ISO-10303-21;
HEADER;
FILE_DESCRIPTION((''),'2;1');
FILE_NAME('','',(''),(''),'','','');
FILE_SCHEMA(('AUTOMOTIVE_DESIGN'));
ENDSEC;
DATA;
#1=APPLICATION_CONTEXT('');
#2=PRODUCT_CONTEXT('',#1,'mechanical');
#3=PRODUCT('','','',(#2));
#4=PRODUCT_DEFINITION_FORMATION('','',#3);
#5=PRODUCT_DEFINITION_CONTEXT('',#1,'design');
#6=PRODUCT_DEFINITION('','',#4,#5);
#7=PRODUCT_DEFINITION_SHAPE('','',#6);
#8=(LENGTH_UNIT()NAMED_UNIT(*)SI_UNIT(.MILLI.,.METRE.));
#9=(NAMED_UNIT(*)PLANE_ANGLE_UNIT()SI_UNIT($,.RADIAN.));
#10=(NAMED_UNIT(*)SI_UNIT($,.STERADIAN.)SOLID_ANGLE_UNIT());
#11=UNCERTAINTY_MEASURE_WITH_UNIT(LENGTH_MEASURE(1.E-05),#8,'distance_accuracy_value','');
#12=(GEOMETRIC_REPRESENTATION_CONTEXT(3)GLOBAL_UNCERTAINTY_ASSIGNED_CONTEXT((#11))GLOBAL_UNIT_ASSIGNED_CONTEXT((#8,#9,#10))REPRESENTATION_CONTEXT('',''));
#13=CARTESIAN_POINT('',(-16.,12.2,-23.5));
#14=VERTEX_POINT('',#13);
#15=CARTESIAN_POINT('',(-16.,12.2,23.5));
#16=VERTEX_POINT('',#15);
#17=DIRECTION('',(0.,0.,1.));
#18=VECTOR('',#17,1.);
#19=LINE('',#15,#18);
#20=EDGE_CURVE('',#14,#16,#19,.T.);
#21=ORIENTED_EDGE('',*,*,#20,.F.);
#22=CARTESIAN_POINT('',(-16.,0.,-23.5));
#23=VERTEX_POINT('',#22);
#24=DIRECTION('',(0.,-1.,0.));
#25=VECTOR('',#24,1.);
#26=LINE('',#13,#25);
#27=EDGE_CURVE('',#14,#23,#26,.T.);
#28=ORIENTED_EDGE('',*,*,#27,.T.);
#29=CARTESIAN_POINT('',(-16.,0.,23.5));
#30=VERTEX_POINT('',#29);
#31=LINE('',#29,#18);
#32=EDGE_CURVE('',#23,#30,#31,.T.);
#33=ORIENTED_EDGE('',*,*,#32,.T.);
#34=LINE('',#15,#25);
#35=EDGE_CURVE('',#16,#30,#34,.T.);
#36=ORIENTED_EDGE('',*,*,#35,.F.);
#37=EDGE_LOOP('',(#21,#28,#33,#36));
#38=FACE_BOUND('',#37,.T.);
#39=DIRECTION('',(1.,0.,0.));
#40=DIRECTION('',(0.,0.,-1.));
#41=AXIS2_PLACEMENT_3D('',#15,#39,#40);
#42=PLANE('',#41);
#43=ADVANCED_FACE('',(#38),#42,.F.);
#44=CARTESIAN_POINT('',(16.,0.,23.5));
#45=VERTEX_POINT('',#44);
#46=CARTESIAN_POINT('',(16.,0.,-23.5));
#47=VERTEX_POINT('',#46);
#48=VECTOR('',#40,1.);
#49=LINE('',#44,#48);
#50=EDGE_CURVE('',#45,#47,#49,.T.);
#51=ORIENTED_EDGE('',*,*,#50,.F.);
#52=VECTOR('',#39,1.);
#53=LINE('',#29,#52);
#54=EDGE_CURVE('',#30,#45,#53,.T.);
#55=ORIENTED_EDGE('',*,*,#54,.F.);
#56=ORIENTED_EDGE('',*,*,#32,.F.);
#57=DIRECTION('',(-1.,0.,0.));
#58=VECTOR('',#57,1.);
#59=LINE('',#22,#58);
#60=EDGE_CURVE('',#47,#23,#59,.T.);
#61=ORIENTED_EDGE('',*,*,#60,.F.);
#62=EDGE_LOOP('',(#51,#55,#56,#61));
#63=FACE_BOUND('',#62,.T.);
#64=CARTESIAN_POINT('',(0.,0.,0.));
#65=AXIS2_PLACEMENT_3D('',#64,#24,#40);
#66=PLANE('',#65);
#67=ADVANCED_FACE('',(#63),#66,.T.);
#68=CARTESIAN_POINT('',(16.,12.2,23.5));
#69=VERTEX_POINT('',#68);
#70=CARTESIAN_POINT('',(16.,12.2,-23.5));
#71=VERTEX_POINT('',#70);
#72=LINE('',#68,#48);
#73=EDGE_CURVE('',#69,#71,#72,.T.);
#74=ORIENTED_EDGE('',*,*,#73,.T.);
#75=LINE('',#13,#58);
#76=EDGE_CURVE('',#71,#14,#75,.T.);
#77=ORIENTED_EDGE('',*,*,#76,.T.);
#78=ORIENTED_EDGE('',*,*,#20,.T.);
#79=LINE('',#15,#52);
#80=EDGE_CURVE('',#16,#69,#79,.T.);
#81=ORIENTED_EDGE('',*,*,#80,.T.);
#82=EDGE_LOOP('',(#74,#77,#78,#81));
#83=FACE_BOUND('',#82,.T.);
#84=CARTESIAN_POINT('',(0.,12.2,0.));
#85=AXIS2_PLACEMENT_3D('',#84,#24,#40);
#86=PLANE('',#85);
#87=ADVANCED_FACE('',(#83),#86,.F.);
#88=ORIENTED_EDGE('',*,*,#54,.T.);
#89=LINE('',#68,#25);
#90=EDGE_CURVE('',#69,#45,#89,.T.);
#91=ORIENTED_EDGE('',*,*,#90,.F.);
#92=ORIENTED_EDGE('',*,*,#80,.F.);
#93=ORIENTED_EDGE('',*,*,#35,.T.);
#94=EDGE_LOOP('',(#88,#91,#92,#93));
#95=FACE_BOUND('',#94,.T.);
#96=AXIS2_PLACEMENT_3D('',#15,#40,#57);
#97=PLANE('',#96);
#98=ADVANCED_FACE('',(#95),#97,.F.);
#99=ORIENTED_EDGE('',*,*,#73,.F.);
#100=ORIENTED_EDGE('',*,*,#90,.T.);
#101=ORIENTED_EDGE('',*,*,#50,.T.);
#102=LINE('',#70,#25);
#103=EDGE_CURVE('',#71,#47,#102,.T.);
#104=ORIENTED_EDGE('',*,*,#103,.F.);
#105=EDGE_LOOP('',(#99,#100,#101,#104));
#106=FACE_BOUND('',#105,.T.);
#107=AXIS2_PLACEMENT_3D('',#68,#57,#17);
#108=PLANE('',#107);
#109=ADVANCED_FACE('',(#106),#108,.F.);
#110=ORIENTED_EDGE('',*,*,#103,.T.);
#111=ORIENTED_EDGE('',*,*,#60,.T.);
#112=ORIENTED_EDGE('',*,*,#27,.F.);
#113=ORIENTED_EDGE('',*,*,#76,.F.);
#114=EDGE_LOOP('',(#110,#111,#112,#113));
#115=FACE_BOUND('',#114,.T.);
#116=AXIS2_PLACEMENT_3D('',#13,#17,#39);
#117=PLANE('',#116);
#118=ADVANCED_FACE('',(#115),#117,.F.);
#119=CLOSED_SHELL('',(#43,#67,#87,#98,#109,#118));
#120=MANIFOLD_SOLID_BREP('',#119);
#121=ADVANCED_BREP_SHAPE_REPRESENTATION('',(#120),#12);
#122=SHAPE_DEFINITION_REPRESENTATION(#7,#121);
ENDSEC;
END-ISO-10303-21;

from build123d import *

# Parameters (mm, degrees)
SKETCH_1_W      = 32
SKETCH_1_H      = 47
EXTRUDE_1_DEPTH = 12.2


with BuildPart() as part:
    # 草图1 → 凸台-拉伸1 (new body)
    with BuildSketch(Plane(origin=(0, 0, 0), x_dir=(1, 0, 0), z_dir=(0, 1, 0))):
        Rectangle(SKETCH_1_W, SKETCH_1_H)
    extrude(amount=EXTRUDE_1_DEPTH)


solid = part.part
